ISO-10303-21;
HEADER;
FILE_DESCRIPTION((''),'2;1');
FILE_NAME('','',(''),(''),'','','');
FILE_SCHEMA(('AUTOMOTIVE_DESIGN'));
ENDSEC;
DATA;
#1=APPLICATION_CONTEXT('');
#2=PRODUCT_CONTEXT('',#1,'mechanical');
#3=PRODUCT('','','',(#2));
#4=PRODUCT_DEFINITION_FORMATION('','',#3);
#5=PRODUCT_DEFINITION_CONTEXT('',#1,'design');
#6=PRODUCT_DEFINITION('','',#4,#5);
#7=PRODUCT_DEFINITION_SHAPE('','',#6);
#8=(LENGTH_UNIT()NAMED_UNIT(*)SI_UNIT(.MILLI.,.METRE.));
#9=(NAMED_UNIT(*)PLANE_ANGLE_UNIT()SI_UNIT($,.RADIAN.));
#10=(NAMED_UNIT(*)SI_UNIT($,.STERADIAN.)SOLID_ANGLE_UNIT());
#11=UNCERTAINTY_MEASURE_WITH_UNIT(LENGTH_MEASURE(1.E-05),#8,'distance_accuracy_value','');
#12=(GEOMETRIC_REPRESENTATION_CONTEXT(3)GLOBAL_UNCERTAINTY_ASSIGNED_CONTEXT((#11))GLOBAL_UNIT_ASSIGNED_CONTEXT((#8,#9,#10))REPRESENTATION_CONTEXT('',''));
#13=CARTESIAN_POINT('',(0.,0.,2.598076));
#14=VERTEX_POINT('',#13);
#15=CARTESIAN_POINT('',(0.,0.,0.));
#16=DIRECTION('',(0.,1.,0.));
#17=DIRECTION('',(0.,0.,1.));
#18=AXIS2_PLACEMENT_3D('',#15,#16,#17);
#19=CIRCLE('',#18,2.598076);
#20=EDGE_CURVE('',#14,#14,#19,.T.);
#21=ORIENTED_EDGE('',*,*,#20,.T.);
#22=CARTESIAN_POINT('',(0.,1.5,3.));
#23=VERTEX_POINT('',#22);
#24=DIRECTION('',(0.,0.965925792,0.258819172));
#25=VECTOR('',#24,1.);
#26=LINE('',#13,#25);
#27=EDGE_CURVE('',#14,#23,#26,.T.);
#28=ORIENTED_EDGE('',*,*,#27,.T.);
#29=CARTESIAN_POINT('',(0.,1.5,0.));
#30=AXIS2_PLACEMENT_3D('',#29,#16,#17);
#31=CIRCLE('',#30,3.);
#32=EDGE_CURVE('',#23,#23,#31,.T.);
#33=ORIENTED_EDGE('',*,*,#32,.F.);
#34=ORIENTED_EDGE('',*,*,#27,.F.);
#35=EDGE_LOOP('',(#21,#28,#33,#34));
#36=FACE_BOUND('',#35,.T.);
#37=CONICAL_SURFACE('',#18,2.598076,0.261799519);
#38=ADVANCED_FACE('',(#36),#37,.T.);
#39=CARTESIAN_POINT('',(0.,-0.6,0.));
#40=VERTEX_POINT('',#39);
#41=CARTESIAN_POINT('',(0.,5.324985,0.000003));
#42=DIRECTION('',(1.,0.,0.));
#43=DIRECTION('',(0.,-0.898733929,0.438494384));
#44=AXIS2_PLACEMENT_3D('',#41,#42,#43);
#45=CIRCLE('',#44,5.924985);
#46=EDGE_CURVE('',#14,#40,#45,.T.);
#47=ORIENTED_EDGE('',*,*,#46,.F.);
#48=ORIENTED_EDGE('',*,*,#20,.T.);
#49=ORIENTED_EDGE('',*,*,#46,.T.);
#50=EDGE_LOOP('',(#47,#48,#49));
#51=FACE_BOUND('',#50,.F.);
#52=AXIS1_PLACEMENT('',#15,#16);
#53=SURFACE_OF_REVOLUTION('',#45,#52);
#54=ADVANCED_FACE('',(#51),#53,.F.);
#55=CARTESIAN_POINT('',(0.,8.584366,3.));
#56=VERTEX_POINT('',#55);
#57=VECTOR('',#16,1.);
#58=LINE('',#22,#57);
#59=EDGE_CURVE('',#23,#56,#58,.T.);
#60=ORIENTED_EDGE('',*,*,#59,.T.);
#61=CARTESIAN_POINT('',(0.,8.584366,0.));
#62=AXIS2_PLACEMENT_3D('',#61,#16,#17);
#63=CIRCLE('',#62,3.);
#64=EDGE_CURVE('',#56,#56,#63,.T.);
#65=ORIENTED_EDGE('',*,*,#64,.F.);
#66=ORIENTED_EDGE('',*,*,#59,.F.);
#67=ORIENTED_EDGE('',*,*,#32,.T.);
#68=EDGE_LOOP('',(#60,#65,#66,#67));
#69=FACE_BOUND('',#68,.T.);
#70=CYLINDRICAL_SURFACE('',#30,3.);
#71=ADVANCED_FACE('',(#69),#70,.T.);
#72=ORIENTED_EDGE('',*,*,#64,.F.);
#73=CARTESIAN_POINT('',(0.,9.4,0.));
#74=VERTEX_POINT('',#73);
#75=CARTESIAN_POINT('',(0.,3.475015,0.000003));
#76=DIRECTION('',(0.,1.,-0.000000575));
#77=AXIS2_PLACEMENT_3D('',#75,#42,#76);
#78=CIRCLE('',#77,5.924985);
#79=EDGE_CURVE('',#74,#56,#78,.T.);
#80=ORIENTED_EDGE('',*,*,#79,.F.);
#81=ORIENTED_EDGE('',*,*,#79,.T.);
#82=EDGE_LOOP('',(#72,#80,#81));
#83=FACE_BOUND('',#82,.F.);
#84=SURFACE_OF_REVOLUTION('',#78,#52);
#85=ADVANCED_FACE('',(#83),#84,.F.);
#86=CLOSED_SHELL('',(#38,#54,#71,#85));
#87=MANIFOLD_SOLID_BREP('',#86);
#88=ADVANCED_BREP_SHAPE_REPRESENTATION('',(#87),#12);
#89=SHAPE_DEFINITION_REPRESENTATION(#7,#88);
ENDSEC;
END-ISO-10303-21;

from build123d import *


with BuildPart() as part:
    # Sketch → Revolution (revolve)
    with BuildSketch(Plane.YZ):
        with BuildLine():
            ThreePointArc((0, 2.598076), (-0.448052, 1.333229), (-0.6, 0))
            Line((-0.6, 0), (9.4, 0))
            ThreePointArc((9.4, 0), (9.192457, 1.55445), (8.584366, 3))
            Line((1.5, 3), (8.584366, 3))
            Line((0, 2.598076), (1.5, 3))
        make_face()
    revolve(axis=Axis((0, 0, 0), (0, 1, 0)))


solid = part.part
